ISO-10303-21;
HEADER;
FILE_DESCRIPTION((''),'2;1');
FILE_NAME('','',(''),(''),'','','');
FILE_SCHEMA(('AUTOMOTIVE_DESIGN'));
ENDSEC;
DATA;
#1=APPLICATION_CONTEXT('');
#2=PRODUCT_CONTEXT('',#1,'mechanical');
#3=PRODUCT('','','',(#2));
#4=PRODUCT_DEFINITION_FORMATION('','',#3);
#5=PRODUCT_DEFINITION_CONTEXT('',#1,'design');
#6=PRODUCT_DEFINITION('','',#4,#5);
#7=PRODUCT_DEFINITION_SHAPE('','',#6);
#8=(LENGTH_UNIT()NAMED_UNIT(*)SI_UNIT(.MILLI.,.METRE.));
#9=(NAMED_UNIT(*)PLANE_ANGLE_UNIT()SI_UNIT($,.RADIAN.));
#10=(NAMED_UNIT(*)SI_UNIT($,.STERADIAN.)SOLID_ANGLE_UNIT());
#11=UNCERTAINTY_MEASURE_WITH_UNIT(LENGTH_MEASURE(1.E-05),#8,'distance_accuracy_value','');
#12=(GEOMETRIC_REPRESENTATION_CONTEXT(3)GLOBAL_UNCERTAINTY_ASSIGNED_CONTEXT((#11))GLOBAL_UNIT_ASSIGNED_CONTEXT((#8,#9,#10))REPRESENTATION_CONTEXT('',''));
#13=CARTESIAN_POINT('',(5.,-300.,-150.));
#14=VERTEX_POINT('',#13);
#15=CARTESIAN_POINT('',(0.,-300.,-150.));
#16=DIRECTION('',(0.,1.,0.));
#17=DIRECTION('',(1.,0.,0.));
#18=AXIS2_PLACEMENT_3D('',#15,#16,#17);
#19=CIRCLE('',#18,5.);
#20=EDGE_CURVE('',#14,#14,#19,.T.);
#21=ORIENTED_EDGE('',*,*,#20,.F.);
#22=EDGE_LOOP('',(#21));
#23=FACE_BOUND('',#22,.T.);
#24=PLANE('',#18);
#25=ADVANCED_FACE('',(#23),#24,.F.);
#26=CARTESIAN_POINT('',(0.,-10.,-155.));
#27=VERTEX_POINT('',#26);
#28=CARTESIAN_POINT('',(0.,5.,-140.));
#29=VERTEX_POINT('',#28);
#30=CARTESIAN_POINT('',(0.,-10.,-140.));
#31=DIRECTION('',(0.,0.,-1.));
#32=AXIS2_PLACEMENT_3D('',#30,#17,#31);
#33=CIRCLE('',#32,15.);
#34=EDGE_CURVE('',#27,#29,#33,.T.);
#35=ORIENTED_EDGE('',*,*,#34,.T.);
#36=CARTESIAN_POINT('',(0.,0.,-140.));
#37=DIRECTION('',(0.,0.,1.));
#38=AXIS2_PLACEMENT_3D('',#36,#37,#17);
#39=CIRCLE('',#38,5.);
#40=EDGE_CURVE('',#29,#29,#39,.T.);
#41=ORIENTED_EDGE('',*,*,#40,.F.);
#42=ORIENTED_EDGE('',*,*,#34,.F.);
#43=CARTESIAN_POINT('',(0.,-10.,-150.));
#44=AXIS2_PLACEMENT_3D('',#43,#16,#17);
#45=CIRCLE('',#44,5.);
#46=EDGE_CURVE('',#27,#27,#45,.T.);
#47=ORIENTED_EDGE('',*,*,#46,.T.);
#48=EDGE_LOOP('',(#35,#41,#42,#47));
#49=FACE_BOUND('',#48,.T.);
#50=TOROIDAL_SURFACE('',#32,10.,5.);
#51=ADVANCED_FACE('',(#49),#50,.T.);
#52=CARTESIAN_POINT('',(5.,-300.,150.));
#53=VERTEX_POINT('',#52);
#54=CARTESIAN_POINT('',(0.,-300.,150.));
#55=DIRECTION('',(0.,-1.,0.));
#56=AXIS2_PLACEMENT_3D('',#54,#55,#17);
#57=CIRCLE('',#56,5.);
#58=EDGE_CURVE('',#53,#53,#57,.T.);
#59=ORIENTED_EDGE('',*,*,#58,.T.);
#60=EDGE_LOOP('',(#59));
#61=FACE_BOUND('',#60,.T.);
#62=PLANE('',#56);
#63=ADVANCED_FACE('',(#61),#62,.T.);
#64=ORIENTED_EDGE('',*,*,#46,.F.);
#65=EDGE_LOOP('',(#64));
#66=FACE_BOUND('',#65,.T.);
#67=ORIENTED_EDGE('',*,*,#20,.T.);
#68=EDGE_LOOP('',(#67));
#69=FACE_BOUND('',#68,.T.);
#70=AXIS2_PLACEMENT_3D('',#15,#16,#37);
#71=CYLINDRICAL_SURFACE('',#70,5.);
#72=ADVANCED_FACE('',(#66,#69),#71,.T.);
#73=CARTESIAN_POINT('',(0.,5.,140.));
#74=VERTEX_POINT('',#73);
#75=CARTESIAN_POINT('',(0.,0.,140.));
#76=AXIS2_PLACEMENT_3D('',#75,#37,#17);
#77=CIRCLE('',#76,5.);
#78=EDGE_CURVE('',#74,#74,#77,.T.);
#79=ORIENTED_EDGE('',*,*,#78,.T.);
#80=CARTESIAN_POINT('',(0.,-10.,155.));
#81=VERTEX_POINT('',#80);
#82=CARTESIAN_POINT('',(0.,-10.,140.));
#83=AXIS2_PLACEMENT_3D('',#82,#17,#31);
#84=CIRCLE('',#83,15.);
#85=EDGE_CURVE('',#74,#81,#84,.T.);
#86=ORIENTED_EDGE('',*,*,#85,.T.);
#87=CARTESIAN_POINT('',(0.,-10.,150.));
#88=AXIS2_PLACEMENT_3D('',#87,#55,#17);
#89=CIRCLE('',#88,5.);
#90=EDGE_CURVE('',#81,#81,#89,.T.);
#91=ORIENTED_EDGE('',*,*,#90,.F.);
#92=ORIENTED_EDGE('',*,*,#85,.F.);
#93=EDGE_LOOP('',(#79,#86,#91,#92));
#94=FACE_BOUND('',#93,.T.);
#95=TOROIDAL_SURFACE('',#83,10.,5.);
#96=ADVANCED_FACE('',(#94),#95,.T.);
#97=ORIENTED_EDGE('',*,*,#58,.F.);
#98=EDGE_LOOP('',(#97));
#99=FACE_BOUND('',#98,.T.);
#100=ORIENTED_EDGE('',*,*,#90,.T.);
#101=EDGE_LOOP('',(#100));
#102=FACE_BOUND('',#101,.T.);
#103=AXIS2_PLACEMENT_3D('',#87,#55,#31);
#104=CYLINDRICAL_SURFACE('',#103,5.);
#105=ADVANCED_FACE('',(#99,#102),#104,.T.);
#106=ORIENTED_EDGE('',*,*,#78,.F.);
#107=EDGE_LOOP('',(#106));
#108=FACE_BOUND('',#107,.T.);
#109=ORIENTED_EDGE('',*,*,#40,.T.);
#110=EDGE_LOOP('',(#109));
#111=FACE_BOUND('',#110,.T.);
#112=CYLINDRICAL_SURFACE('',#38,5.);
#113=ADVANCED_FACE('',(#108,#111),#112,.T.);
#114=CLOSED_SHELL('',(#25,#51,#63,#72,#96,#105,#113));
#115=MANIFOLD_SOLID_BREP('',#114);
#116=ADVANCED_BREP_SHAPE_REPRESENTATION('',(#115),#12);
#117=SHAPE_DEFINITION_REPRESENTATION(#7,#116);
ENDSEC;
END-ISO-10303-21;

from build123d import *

# Parameters (mm, degrees)
ESQUISSE1_R = 5


with BuildPart() as part:
    # Balayage1: sweep along a path in Esquisse2
    with BuildLine(Plane(origin=(0, 0, 0), x_dir=(0, 0, -1), z_dir=(1, 0, 0))) as balayage1_path:
        Line((-150, -300), (-150, -10))
        ThreePointArc((-150, -10), (-147.071067812, -2.928932188), (-140, 0))
        Line((-140, 0), (140, 0))
        ThreePointArc((140, 0), (147.071067812, -2.928932188), (150, -10))
        Line((150, -10), (150, -300))
    # Esquisse1 → Balayage1 (sweep)
    with BuildSketch(Plane.XY):
        Circle(ESQUISSE1_R)
    sweep(path=balayage1_path.line)


solid = part.part
